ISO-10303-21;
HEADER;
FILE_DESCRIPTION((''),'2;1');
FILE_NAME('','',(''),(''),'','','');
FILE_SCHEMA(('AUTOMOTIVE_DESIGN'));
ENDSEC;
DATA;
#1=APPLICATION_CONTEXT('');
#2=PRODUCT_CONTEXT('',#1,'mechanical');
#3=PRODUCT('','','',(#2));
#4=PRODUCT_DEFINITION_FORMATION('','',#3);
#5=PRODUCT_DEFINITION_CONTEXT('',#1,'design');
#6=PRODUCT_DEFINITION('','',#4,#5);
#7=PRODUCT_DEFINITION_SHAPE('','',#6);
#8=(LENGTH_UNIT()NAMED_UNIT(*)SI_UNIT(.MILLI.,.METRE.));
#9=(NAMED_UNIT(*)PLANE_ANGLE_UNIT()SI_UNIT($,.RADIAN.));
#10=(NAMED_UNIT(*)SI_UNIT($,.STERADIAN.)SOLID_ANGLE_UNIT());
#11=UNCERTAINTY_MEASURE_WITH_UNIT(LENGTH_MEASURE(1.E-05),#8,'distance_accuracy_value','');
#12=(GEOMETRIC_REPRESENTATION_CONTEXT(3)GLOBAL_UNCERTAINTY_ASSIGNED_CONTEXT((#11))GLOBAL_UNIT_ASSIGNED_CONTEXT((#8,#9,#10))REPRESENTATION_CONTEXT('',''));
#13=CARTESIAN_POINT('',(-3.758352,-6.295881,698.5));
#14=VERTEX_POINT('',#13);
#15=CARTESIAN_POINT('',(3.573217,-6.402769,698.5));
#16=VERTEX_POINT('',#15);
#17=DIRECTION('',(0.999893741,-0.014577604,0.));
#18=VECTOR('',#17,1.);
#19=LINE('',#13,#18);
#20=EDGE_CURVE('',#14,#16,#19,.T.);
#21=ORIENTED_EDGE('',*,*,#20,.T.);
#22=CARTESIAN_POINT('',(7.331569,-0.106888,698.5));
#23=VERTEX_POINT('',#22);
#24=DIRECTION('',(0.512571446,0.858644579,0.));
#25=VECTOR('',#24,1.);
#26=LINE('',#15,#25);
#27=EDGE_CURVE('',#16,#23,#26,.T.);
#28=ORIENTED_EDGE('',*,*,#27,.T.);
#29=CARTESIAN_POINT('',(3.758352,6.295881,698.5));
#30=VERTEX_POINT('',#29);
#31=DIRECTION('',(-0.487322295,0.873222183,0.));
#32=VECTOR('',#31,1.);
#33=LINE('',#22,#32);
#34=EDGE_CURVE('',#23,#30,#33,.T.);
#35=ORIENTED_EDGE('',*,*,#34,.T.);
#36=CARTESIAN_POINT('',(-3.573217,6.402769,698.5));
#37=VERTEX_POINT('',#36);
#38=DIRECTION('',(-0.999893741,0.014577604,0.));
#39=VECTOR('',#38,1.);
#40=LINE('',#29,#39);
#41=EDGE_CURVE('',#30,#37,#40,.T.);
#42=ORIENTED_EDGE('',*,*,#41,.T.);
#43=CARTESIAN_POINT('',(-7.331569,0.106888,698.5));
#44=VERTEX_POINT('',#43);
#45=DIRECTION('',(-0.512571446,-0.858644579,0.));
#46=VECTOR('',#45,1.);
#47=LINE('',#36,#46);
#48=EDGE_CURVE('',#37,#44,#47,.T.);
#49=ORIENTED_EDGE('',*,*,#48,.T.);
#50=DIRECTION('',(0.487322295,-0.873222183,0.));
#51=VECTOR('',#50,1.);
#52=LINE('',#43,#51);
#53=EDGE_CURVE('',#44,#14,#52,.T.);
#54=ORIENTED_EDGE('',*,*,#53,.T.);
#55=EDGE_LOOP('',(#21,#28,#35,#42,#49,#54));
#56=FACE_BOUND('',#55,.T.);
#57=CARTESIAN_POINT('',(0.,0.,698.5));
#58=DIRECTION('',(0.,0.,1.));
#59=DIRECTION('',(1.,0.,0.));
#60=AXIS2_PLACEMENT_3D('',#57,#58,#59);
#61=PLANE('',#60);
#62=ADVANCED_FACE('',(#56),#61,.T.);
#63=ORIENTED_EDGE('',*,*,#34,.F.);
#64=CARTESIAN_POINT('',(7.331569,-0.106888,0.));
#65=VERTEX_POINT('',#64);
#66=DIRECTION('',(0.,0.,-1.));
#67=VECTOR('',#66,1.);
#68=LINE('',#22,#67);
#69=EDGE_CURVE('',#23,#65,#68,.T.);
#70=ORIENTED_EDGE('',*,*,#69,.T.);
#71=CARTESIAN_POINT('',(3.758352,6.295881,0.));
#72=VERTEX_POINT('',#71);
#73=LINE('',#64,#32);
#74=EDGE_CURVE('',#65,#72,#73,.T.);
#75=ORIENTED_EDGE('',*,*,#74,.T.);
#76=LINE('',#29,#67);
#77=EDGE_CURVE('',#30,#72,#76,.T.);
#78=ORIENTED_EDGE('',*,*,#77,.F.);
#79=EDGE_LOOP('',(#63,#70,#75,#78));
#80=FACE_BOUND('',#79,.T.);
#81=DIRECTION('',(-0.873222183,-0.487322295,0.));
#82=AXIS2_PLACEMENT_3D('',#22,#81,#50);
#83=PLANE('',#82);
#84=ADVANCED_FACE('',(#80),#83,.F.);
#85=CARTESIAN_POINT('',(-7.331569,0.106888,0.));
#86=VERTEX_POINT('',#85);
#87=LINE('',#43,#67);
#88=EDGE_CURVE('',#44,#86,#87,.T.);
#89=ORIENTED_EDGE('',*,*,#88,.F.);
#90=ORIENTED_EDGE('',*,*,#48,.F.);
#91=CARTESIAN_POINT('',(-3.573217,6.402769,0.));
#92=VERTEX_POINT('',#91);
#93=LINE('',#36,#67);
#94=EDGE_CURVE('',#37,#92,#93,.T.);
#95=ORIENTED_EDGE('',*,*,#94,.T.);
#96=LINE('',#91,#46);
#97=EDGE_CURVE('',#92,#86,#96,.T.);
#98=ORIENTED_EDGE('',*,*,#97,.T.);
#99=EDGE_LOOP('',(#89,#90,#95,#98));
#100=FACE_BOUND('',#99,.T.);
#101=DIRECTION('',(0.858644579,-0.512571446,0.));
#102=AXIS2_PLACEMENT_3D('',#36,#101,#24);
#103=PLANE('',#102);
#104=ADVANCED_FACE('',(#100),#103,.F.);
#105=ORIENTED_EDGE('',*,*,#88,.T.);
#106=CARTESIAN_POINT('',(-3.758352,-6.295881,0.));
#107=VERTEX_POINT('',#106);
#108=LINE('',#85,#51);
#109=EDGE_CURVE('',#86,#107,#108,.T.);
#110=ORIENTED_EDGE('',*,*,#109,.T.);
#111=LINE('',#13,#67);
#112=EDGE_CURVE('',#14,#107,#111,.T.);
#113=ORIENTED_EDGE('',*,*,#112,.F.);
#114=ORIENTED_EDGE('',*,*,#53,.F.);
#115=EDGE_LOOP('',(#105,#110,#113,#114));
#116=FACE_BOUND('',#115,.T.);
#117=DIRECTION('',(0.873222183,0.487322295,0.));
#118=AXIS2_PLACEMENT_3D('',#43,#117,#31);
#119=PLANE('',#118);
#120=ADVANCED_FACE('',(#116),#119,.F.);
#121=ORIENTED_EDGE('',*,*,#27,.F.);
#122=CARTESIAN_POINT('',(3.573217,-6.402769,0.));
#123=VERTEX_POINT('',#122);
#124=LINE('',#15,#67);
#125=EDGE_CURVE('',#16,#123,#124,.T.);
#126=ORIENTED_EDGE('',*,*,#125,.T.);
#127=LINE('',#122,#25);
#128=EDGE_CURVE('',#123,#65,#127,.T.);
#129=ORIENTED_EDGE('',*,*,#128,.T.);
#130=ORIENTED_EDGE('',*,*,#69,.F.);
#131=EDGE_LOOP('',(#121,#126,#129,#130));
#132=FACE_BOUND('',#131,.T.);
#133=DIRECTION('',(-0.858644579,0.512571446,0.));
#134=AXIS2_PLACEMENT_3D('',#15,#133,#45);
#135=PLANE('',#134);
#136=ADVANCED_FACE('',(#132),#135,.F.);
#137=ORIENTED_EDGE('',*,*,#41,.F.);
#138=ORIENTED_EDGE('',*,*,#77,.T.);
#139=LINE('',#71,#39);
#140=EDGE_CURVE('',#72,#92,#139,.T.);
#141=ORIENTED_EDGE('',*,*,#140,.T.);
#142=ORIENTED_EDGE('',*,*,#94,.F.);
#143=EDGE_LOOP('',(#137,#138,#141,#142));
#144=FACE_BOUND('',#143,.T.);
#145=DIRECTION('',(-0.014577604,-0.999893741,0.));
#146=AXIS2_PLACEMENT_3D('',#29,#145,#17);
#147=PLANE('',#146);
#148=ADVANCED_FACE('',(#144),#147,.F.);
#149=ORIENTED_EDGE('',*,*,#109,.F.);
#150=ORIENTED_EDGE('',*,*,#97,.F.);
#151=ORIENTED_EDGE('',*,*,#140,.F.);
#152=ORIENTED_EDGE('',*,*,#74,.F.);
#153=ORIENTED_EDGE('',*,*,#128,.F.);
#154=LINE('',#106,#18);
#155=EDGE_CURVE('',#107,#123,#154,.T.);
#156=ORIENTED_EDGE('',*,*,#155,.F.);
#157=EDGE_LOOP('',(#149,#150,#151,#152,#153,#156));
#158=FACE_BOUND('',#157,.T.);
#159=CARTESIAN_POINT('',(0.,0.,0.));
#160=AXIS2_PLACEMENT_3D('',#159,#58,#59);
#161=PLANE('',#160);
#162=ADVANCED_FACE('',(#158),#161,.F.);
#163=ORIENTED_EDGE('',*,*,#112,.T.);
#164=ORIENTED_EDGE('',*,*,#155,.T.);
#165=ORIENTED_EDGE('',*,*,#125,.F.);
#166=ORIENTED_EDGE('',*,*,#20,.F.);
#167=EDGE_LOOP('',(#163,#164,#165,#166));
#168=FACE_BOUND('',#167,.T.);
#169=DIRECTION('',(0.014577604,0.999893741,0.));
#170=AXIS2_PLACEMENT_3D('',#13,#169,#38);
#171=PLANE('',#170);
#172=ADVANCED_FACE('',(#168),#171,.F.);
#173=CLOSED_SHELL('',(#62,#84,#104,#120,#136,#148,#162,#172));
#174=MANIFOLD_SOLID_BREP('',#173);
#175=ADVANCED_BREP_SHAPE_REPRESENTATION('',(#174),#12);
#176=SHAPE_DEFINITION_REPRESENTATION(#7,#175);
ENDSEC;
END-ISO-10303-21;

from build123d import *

# Parameters (mm, degrees)
BOSS_EXTRUDE1_DEPTH = 698.5


with BuildPart() as part:
    # Sketch1 → Boss-Extrude1 (new body)
    with BuildSketch(Plane.XY):
        Polygon((3.573216858, -6.402769293), (7.331569291, -0.106888075), (3.758352434, 6.295881219), (-3.573216858, 6.402769293), (-7.331569291, 0.106888075), (-3.758352434, -6.295881219), align=None)
    extrude(amount=BOSS_EXTRUDE1_DEPTH)


solid = part.part
